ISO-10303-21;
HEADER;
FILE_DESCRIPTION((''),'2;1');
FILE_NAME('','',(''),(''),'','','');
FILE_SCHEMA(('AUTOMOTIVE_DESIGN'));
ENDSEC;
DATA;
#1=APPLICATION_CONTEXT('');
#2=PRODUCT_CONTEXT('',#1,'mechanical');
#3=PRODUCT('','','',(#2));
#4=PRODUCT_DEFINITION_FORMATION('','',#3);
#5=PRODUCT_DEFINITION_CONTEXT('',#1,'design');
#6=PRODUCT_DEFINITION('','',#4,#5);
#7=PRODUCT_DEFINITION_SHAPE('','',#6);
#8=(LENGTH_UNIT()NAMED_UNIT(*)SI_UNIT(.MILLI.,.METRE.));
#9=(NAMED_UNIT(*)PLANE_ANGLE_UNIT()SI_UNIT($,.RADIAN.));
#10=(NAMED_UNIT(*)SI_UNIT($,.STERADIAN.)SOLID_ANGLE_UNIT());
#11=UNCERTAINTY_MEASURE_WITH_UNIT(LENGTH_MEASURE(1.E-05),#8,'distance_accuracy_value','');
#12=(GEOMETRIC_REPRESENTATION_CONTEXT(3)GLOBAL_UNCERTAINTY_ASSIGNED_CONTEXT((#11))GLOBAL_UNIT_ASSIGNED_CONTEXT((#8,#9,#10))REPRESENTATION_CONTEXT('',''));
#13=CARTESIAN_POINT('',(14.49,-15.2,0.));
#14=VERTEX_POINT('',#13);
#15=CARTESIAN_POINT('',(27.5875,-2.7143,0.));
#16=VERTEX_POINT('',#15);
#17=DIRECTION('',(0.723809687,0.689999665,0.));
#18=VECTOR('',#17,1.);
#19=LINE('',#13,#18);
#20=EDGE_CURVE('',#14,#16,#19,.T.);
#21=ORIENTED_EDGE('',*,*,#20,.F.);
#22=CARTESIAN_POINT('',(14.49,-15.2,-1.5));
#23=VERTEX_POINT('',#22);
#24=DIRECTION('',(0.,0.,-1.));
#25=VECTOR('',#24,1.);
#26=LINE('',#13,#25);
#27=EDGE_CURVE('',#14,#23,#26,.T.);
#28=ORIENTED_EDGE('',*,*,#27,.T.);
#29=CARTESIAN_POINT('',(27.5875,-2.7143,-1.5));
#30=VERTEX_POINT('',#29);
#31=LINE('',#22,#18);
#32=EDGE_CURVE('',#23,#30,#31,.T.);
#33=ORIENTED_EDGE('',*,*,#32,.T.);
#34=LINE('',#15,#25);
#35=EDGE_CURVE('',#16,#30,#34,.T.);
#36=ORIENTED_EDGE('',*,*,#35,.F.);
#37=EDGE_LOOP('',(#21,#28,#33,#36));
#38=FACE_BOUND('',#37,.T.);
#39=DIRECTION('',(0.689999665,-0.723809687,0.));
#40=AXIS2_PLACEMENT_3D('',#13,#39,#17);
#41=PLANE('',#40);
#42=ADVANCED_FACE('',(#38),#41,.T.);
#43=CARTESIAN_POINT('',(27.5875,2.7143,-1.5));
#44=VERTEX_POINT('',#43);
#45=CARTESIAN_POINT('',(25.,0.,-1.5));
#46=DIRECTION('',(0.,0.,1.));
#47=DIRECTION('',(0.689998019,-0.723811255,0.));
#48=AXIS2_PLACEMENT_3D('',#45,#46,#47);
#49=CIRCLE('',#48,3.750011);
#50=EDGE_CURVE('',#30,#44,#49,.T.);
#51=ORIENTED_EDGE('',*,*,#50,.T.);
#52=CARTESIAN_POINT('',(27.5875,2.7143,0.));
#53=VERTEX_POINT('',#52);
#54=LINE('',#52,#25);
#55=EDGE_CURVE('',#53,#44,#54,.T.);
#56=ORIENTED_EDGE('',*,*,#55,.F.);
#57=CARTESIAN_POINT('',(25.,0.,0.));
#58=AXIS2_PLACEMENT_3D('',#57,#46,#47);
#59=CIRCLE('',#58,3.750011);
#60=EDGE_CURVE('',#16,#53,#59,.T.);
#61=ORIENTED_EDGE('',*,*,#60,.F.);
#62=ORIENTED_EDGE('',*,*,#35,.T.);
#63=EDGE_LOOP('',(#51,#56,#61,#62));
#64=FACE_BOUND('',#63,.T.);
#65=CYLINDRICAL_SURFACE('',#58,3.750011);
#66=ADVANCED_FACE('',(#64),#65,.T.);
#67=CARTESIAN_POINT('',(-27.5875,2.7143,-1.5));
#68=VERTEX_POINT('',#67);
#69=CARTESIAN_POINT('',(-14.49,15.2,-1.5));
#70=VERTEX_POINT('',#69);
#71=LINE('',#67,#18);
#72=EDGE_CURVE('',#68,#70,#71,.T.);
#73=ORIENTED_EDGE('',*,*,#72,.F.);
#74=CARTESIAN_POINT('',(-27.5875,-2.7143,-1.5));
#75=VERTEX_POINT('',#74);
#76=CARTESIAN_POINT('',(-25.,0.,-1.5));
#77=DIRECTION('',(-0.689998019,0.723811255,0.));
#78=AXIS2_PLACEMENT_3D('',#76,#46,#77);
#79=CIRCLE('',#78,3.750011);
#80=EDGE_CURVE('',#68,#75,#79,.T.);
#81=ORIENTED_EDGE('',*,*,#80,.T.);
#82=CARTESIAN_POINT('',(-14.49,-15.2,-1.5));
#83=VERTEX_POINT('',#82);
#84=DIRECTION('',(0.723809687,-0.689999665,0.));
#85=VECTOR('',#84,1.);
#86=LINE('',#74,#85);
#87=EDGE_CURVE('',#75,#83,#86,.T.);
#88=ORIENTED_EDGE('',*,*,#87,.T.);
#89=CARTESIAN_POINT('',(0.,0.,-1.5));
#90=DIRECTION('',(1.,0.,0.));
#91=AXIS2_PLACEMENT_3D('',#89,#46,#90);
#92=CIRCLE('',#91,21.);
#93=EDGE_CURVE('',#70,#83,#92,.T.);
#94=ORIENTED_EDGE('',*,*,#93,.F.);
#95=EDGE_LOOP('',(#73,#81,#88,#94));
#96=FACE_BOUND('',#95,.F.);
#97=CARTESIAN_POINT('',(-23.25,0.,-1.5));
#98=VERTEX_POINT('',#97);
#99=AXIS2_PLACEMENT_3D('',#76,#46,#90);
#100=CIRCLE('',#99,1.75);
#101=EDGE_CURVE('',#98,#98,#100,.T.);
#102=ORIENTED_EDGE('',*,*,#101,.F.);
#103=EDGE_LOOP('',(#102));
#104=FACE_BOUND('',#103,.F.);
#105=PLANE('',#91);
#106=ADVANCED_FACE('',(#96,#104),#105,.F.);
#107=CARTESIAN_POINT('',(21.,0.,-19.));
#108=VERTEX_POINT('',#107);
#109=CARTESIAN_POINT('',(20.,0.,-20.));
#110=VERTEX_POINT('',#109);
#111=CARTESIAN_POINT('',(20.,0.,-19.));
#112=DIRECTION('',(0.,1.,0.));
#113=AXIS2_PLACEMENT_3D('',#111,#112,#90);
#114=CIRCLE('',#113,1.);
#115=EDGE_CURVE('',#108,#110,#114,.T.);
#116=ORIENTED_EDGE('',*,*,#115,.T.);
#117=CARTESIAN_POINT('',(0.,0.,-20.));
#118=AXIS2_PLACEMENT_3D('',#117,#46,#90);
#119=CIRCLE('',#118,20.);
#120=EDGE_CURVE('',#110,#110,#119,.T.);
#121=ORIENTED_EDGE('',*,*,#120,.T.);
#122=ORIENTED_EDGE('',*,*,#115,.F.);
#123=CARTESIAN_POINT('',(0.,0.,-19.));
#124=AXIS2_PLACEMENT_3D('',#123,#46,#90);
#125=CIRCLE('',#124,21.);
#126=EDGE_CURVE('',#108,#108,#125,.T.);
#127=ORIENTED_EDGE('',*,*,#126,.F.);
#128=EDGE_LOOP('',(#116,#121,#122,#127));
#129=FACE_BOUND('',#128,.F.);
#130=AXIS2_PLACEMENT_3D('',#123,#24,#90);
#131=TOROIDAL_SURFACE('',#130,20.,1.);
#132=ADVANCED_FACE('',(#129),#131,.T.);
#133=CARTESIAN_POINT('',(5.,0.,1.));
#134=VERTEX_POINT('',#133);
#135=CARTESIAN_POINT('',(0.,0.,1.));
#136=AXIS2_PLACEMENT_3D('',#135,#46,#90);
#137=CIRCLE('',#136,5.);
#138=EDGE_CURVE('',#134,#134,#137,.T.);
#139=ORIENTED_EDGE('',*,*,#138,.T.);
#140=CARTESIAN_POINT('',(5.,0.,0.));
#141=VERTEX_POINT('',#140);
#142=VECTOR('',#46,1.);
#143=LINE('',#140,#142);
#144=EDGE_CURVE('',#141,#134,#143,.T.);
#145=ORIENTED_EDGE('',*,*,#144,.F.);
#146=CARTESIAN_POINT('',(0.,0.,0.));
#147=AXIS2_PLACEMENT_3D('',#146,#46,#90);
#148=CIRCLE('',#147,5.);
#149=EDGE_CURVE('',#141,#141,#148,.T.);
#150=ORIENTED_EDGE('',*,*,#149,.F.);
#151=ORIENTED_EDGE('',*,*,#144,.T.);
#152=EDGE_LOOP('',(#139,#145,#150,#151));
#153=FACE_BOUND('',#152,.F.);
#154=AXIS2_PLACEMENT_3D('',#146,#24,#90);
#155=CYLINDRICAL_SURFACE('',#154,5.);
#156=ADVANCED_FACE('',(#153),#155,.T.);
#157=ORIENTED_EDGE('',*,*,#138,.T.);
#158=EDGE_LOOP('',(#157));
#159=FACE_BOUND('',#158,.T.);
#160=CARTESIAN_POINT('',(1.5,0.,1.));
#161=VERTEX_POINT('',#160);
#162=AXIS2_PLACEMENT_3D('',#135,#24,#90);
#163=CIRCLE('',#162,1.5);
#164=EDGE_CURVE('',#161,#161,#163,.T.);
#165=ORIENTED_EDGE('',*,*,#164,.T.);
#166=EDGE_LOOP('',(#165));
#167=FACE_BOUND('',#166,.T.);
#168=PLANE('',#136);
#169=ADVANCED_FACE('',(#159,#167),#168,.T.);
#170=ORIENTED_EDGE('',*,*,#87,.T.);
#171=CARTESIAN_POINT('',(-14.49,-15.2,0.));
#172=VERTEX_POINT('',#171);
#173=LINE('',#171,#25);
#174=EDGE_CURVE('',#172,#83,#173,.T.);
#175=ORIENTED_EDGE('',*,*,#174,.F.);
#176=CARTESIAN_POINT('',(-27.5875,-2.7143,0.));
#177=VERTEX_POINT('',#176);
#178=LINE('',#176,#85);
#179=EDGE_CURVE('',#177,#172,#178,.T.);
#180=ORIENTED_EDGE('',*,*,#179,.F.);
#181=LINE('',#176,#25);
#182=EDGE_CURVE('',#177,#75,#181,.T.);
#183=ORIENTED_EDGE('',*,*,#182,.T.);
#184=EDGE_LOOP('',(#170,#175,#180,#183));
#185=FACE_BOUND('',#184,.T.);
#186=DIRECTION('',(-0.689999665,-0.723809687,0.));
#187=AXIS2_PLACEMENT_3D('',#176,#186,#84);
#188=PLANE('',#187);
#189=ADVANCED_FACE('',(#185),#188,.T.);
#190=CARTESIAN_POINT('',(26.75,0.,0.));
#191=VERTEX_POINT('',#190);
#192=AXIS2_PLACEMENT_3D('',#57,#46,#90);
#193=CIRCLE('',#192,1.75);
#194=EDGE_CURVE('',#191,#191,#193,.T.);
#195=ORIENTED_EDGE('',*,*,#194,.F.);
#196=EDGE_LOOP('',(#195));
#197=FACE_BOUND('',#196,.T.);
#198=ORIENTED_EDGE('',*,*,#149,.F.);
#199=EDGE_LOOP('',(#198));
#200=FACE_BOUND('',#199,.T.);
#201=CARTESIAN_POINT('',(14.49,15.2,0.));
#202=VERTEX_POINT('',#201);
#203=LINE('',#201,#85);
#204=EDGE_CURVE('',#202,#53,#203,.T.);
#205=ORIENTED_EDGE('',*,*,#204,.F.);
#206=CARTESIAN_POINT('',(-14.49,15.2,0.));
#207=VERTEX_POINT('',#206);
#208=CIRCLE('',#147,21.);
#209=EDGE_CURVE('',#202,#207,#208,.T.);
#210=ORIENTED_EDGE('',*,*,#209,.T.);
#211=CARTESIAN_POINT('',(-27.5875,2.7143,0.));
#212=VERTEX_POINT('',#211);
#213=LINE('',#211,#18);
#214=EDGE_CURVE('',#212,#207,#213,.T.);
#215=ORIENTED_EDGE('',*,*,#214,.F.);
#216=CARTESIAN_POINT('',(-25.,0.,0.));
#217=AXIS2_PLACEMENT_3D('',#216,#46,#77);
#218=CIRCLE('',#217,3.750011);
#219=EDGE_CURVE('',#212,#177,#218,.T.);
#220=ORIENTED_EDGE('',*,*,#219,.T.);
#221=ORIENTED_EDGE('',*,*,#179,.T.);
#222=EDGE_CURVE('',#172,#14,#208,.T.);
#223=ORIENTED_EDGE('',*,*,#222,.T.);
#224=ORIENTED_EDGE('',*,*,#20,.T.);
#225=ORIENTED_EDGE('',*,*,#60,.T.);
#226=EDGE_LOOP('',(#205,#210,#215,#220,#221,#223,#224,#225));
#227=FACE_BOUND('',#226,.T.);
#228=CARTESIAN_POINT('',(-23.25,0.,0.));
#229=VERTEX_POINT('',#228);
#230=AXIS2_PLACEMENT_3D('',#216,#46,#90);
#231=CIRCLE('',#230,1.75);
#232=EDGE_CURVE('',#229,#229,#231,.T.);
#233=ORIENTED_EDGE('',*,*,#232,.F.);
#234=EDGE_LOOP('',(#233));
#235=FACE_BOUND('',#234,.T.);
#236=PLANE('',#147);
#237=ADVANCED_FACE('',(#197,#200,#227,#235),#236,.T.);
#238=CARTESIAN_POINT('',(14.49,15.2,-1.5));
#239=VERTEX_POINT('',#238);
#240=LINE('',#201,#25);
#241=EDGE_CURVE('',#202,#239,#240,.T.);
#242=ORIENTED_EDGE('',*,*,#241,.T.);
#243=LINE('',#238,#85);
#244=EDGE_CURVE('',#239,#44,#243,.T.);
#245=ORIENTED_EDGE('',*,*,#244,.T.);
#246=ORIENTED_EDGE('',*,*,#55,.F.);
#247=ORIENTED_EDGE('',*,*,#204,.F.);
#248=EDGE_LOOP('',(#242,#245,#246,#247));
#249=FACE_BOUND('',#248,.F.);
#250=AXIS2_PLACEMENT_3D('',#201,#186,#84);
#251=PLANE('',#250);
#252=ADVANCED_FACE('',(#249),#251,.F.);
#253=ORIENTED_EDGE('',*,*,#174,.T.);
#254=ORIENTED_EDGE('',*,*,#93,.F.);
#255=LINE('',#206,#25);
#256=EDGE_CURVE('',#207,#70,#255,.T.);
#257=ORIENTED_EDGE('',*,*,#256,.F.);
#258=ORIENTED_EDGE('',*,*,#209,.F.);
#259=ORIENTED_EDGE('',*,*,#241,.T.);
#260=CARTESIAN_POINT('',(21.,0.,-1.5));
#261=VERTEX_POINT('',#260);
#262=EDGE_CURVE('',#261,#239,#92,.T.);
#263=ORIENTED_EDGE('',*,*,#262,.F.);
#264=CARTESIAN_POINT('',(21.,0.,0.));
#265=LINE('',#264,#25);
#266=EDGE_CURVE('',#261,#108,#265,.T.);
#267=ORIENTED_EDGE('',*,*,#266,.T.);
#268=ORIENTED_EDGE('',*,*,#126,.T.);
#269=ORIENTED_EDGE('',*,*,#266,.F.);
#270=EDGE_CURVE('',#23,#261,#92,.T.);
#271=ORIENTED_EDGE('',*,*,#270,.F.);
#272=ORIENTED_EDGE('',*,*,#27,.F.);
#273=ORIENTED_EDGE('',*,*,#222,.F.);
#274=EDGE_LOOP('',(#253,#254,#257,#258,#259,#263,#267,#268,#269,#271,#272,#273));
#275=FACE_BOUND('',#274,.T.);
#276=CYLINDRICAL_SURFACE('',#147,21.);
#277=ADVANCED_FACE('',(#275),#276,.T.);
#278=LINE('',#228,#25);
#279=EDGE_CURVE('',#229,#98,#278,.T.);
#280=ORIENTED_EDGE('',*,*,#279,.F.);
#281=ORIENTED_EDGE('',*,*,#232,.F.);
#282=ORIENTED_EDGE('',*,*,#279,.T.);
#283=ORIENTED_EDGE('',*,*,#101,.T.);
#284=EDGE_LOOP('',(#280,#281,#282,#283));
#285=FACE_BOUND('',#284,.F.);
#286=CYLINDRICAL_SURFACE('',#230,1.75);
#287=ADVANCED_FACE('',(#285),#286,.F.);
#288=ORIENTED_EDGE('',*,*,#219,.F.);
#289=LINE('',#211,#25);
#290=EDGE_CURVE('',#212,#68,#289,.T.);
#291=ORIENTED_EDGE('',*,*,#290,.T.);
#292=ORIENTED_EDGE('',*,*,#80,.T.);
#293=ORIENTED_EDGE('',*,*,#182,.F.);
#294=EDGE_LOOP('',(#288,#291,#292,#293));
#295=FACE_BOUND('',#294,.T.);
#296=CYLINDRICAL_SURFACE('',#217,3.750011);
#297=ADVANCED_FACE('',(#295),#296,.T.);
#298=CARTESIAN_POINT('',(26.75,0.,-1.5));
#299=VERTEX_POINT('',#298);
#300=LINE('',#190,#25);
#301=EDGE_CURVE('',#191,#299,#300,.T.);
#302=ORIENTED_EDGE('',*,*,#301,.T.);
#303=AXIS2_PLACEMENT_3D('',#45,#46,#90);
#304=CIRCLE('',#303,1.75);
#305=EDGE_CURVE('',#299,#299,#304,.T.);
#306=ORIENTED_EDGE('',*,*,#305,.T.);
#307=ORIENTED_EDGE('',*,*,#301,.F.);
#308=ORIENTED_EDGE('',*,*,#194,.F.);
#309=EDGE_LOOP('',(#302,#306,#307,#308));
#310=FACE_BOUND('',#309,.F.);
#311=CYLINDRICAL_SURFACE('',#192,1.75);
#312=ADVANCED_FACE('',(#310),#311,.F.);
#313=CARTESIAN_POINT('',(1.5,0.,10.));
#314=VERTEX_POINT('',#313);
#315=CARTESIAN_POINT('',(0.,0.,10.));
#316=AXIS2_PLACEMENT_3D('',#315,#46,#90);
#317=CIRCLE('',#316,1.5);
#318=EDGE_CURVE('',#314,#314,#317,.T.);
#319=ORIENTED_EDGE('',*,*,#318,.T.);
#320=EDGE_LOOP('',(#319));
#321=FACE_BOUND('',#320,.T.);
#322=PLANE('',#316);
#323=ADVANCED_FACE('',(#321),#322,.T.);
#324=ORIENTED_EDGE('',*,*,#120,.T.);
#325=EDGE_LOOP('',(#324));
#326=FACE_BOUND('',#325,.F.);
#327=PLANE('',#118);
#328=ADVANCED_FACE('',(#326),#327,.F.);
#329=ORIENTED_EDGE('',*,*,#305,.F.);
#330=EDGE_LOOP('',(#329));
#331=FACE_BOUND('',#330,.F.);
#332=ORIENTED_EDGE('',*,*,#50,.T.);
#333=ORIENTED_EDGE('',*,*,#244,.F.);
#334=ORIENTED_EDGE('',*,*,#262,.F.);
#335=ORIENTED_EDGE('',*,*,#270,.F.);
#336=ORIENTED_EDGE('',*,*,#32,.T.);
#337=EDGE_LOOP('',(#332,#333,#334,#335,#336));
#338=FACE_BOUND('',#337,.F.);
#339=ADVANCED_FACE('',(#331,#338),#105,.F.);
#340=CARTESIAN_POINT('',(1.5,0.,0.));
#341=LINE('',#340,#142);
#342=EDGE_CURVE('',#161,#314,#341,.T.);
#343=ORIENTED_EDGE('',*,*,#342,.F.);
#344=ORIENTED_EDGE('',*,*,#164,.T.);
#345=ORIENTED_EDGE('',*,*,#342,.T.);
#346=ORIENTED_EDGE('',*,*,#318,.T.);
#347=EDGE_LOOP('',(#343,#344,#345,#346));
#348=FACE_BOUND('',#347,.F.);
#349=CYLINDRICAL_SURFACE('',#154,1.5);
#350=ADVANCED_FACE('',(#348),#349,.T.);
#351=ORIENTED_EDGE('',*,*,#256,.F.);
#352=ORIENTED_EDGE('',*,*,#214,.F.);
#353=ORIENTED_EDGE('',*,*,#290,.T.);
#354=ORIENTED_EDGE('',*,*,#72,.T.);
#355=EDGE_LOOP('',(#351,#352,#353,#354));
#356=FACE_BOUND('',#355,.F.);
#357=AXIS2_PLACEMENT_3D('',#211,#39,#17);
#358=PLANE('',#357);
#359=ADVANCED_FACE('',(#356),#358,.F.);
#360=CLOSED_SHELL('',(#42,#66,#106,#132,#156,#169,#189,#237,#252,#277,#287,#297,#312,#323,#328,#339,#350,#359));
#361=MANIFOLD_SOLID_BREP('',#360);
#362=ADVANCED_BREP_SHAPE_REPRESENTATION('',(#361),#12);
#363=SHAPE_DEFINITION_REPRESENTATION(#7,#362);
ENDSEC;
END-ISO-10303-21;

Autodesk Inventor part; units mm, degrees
ref_plane "YZ Plane" through (0, 0, 0) normal (1, 0, 0) x (0, 1, 0)
ref_plane "XZ Plane" through (0, 0, 0) normal (0, 1, 0) x (-1, 0, 0)
sketch "Skizze1" plane through (0, 0, 0) normal (0, 0, 1) x (1, 0, 0)
  circle A0 centre (0, 0) radius 21
  circle A1 centre (0, 0) radius 25 construction
  circle A2 centre (-25, 0) radius 1.75
  circle A3 centre (25, 0) radius 1.75
  arc A4 (-27.5875, 2.7143) -> (-27.5875, -2.7143) centre (-25, 0) ccw
  arc A5 (27.5875, -2.7143) -> (27.5875, 2.7143) centre (25, 0) ccw
  line L0 (-27.5875, 2.7143) -> (-14.49, 15.2)
  line L1 (-27.5875, -2.7143) -> (-14.49, -15.2)
  line L2 (14.49, -15.2) -> (27.5875, -2.7143)
  line L3 (14.49, 15.2) -> (27.5875, 2.7143)
  line L4 (-25, 0) -> (25, 0) construction
  circle A6 centre (0, 0) radius 1.5
  dimension "d0" = 42
  dimension "d1" = 3.5
  dimension "d2" = 50
  dimension "d3" = 2
  dimension "d8" = 3
extrude "Extrusion1" add sketch "Skizze1" against normal blind 1.5 contours A0 | A0 L3 A5 L2 | A0 L1 A4 L0 | A6
extrude "Extrusion2" add sketch "Skizze1" against normal blind 20 contours A0 | A6
extrude "Extrusion3" add sketch "Skizze1" along normal blind 10 contours A6
sketch "Skizze2" plane through (0, 0, 0) normal (0, 0, 1) x (1, 0, 0)
  circle A0 centre (0, 0) radius 5
  dimension "d11" = 10
extrude "Extrusion4" add sketch "Skizze2" along normal blind 1
ref_plane "Arbeitsebene1" through (0, 0, 0) normal (0, 0, 1) x (1, 0, 0)
fillet "Rundung1" radius 1 1 edges at (14.49, 15.2, -20)
sketch "Skizze3" plane through (0, 0, -20) normal (0, 0, -1) x (-1, 0, 0)
  circle A0 centre (0, 0) radius 21
  line L0 (-18.963, -9.0226) -> (-8.1058, -19.3726)
  line L1 (-8.1058, -19.3726) -> (-15.0058, -26.6106)
  line L2 (-15.0058, -26.6106) -> (-25.863, -16.2606)
  line L3 (-25.863, -16.2606) -> (-18.963, -9.0226)
  line L4 (0, 0) -> (-20.4344, -21.4356) construction
  circle A1 centre (0, 0) radius 21 construction
  arc A2 (-14.49, 15.2) -> (-14.49, -15.2) centre (0, 0) ccw construction
  line L5 (-14.49, 15.2) -> (-27.5875, 2.7143) construction
  arc A3 (-27.5875, 2.7143) -> (-27.5875, -2.7143) centre (-25, 0) ccw construction
  line L6 (-27.5875, -2.7143) -> (-14.49, -15.2) construction
  circle A4 centre (-25, 0) radius 1.75 construction
  point P0 (-13.5344, -14.1976)
  dimension "d15" = 15
  dimension "d16" = 10
properties part number "Stepper_42mm" material "Aluminium 6061"
